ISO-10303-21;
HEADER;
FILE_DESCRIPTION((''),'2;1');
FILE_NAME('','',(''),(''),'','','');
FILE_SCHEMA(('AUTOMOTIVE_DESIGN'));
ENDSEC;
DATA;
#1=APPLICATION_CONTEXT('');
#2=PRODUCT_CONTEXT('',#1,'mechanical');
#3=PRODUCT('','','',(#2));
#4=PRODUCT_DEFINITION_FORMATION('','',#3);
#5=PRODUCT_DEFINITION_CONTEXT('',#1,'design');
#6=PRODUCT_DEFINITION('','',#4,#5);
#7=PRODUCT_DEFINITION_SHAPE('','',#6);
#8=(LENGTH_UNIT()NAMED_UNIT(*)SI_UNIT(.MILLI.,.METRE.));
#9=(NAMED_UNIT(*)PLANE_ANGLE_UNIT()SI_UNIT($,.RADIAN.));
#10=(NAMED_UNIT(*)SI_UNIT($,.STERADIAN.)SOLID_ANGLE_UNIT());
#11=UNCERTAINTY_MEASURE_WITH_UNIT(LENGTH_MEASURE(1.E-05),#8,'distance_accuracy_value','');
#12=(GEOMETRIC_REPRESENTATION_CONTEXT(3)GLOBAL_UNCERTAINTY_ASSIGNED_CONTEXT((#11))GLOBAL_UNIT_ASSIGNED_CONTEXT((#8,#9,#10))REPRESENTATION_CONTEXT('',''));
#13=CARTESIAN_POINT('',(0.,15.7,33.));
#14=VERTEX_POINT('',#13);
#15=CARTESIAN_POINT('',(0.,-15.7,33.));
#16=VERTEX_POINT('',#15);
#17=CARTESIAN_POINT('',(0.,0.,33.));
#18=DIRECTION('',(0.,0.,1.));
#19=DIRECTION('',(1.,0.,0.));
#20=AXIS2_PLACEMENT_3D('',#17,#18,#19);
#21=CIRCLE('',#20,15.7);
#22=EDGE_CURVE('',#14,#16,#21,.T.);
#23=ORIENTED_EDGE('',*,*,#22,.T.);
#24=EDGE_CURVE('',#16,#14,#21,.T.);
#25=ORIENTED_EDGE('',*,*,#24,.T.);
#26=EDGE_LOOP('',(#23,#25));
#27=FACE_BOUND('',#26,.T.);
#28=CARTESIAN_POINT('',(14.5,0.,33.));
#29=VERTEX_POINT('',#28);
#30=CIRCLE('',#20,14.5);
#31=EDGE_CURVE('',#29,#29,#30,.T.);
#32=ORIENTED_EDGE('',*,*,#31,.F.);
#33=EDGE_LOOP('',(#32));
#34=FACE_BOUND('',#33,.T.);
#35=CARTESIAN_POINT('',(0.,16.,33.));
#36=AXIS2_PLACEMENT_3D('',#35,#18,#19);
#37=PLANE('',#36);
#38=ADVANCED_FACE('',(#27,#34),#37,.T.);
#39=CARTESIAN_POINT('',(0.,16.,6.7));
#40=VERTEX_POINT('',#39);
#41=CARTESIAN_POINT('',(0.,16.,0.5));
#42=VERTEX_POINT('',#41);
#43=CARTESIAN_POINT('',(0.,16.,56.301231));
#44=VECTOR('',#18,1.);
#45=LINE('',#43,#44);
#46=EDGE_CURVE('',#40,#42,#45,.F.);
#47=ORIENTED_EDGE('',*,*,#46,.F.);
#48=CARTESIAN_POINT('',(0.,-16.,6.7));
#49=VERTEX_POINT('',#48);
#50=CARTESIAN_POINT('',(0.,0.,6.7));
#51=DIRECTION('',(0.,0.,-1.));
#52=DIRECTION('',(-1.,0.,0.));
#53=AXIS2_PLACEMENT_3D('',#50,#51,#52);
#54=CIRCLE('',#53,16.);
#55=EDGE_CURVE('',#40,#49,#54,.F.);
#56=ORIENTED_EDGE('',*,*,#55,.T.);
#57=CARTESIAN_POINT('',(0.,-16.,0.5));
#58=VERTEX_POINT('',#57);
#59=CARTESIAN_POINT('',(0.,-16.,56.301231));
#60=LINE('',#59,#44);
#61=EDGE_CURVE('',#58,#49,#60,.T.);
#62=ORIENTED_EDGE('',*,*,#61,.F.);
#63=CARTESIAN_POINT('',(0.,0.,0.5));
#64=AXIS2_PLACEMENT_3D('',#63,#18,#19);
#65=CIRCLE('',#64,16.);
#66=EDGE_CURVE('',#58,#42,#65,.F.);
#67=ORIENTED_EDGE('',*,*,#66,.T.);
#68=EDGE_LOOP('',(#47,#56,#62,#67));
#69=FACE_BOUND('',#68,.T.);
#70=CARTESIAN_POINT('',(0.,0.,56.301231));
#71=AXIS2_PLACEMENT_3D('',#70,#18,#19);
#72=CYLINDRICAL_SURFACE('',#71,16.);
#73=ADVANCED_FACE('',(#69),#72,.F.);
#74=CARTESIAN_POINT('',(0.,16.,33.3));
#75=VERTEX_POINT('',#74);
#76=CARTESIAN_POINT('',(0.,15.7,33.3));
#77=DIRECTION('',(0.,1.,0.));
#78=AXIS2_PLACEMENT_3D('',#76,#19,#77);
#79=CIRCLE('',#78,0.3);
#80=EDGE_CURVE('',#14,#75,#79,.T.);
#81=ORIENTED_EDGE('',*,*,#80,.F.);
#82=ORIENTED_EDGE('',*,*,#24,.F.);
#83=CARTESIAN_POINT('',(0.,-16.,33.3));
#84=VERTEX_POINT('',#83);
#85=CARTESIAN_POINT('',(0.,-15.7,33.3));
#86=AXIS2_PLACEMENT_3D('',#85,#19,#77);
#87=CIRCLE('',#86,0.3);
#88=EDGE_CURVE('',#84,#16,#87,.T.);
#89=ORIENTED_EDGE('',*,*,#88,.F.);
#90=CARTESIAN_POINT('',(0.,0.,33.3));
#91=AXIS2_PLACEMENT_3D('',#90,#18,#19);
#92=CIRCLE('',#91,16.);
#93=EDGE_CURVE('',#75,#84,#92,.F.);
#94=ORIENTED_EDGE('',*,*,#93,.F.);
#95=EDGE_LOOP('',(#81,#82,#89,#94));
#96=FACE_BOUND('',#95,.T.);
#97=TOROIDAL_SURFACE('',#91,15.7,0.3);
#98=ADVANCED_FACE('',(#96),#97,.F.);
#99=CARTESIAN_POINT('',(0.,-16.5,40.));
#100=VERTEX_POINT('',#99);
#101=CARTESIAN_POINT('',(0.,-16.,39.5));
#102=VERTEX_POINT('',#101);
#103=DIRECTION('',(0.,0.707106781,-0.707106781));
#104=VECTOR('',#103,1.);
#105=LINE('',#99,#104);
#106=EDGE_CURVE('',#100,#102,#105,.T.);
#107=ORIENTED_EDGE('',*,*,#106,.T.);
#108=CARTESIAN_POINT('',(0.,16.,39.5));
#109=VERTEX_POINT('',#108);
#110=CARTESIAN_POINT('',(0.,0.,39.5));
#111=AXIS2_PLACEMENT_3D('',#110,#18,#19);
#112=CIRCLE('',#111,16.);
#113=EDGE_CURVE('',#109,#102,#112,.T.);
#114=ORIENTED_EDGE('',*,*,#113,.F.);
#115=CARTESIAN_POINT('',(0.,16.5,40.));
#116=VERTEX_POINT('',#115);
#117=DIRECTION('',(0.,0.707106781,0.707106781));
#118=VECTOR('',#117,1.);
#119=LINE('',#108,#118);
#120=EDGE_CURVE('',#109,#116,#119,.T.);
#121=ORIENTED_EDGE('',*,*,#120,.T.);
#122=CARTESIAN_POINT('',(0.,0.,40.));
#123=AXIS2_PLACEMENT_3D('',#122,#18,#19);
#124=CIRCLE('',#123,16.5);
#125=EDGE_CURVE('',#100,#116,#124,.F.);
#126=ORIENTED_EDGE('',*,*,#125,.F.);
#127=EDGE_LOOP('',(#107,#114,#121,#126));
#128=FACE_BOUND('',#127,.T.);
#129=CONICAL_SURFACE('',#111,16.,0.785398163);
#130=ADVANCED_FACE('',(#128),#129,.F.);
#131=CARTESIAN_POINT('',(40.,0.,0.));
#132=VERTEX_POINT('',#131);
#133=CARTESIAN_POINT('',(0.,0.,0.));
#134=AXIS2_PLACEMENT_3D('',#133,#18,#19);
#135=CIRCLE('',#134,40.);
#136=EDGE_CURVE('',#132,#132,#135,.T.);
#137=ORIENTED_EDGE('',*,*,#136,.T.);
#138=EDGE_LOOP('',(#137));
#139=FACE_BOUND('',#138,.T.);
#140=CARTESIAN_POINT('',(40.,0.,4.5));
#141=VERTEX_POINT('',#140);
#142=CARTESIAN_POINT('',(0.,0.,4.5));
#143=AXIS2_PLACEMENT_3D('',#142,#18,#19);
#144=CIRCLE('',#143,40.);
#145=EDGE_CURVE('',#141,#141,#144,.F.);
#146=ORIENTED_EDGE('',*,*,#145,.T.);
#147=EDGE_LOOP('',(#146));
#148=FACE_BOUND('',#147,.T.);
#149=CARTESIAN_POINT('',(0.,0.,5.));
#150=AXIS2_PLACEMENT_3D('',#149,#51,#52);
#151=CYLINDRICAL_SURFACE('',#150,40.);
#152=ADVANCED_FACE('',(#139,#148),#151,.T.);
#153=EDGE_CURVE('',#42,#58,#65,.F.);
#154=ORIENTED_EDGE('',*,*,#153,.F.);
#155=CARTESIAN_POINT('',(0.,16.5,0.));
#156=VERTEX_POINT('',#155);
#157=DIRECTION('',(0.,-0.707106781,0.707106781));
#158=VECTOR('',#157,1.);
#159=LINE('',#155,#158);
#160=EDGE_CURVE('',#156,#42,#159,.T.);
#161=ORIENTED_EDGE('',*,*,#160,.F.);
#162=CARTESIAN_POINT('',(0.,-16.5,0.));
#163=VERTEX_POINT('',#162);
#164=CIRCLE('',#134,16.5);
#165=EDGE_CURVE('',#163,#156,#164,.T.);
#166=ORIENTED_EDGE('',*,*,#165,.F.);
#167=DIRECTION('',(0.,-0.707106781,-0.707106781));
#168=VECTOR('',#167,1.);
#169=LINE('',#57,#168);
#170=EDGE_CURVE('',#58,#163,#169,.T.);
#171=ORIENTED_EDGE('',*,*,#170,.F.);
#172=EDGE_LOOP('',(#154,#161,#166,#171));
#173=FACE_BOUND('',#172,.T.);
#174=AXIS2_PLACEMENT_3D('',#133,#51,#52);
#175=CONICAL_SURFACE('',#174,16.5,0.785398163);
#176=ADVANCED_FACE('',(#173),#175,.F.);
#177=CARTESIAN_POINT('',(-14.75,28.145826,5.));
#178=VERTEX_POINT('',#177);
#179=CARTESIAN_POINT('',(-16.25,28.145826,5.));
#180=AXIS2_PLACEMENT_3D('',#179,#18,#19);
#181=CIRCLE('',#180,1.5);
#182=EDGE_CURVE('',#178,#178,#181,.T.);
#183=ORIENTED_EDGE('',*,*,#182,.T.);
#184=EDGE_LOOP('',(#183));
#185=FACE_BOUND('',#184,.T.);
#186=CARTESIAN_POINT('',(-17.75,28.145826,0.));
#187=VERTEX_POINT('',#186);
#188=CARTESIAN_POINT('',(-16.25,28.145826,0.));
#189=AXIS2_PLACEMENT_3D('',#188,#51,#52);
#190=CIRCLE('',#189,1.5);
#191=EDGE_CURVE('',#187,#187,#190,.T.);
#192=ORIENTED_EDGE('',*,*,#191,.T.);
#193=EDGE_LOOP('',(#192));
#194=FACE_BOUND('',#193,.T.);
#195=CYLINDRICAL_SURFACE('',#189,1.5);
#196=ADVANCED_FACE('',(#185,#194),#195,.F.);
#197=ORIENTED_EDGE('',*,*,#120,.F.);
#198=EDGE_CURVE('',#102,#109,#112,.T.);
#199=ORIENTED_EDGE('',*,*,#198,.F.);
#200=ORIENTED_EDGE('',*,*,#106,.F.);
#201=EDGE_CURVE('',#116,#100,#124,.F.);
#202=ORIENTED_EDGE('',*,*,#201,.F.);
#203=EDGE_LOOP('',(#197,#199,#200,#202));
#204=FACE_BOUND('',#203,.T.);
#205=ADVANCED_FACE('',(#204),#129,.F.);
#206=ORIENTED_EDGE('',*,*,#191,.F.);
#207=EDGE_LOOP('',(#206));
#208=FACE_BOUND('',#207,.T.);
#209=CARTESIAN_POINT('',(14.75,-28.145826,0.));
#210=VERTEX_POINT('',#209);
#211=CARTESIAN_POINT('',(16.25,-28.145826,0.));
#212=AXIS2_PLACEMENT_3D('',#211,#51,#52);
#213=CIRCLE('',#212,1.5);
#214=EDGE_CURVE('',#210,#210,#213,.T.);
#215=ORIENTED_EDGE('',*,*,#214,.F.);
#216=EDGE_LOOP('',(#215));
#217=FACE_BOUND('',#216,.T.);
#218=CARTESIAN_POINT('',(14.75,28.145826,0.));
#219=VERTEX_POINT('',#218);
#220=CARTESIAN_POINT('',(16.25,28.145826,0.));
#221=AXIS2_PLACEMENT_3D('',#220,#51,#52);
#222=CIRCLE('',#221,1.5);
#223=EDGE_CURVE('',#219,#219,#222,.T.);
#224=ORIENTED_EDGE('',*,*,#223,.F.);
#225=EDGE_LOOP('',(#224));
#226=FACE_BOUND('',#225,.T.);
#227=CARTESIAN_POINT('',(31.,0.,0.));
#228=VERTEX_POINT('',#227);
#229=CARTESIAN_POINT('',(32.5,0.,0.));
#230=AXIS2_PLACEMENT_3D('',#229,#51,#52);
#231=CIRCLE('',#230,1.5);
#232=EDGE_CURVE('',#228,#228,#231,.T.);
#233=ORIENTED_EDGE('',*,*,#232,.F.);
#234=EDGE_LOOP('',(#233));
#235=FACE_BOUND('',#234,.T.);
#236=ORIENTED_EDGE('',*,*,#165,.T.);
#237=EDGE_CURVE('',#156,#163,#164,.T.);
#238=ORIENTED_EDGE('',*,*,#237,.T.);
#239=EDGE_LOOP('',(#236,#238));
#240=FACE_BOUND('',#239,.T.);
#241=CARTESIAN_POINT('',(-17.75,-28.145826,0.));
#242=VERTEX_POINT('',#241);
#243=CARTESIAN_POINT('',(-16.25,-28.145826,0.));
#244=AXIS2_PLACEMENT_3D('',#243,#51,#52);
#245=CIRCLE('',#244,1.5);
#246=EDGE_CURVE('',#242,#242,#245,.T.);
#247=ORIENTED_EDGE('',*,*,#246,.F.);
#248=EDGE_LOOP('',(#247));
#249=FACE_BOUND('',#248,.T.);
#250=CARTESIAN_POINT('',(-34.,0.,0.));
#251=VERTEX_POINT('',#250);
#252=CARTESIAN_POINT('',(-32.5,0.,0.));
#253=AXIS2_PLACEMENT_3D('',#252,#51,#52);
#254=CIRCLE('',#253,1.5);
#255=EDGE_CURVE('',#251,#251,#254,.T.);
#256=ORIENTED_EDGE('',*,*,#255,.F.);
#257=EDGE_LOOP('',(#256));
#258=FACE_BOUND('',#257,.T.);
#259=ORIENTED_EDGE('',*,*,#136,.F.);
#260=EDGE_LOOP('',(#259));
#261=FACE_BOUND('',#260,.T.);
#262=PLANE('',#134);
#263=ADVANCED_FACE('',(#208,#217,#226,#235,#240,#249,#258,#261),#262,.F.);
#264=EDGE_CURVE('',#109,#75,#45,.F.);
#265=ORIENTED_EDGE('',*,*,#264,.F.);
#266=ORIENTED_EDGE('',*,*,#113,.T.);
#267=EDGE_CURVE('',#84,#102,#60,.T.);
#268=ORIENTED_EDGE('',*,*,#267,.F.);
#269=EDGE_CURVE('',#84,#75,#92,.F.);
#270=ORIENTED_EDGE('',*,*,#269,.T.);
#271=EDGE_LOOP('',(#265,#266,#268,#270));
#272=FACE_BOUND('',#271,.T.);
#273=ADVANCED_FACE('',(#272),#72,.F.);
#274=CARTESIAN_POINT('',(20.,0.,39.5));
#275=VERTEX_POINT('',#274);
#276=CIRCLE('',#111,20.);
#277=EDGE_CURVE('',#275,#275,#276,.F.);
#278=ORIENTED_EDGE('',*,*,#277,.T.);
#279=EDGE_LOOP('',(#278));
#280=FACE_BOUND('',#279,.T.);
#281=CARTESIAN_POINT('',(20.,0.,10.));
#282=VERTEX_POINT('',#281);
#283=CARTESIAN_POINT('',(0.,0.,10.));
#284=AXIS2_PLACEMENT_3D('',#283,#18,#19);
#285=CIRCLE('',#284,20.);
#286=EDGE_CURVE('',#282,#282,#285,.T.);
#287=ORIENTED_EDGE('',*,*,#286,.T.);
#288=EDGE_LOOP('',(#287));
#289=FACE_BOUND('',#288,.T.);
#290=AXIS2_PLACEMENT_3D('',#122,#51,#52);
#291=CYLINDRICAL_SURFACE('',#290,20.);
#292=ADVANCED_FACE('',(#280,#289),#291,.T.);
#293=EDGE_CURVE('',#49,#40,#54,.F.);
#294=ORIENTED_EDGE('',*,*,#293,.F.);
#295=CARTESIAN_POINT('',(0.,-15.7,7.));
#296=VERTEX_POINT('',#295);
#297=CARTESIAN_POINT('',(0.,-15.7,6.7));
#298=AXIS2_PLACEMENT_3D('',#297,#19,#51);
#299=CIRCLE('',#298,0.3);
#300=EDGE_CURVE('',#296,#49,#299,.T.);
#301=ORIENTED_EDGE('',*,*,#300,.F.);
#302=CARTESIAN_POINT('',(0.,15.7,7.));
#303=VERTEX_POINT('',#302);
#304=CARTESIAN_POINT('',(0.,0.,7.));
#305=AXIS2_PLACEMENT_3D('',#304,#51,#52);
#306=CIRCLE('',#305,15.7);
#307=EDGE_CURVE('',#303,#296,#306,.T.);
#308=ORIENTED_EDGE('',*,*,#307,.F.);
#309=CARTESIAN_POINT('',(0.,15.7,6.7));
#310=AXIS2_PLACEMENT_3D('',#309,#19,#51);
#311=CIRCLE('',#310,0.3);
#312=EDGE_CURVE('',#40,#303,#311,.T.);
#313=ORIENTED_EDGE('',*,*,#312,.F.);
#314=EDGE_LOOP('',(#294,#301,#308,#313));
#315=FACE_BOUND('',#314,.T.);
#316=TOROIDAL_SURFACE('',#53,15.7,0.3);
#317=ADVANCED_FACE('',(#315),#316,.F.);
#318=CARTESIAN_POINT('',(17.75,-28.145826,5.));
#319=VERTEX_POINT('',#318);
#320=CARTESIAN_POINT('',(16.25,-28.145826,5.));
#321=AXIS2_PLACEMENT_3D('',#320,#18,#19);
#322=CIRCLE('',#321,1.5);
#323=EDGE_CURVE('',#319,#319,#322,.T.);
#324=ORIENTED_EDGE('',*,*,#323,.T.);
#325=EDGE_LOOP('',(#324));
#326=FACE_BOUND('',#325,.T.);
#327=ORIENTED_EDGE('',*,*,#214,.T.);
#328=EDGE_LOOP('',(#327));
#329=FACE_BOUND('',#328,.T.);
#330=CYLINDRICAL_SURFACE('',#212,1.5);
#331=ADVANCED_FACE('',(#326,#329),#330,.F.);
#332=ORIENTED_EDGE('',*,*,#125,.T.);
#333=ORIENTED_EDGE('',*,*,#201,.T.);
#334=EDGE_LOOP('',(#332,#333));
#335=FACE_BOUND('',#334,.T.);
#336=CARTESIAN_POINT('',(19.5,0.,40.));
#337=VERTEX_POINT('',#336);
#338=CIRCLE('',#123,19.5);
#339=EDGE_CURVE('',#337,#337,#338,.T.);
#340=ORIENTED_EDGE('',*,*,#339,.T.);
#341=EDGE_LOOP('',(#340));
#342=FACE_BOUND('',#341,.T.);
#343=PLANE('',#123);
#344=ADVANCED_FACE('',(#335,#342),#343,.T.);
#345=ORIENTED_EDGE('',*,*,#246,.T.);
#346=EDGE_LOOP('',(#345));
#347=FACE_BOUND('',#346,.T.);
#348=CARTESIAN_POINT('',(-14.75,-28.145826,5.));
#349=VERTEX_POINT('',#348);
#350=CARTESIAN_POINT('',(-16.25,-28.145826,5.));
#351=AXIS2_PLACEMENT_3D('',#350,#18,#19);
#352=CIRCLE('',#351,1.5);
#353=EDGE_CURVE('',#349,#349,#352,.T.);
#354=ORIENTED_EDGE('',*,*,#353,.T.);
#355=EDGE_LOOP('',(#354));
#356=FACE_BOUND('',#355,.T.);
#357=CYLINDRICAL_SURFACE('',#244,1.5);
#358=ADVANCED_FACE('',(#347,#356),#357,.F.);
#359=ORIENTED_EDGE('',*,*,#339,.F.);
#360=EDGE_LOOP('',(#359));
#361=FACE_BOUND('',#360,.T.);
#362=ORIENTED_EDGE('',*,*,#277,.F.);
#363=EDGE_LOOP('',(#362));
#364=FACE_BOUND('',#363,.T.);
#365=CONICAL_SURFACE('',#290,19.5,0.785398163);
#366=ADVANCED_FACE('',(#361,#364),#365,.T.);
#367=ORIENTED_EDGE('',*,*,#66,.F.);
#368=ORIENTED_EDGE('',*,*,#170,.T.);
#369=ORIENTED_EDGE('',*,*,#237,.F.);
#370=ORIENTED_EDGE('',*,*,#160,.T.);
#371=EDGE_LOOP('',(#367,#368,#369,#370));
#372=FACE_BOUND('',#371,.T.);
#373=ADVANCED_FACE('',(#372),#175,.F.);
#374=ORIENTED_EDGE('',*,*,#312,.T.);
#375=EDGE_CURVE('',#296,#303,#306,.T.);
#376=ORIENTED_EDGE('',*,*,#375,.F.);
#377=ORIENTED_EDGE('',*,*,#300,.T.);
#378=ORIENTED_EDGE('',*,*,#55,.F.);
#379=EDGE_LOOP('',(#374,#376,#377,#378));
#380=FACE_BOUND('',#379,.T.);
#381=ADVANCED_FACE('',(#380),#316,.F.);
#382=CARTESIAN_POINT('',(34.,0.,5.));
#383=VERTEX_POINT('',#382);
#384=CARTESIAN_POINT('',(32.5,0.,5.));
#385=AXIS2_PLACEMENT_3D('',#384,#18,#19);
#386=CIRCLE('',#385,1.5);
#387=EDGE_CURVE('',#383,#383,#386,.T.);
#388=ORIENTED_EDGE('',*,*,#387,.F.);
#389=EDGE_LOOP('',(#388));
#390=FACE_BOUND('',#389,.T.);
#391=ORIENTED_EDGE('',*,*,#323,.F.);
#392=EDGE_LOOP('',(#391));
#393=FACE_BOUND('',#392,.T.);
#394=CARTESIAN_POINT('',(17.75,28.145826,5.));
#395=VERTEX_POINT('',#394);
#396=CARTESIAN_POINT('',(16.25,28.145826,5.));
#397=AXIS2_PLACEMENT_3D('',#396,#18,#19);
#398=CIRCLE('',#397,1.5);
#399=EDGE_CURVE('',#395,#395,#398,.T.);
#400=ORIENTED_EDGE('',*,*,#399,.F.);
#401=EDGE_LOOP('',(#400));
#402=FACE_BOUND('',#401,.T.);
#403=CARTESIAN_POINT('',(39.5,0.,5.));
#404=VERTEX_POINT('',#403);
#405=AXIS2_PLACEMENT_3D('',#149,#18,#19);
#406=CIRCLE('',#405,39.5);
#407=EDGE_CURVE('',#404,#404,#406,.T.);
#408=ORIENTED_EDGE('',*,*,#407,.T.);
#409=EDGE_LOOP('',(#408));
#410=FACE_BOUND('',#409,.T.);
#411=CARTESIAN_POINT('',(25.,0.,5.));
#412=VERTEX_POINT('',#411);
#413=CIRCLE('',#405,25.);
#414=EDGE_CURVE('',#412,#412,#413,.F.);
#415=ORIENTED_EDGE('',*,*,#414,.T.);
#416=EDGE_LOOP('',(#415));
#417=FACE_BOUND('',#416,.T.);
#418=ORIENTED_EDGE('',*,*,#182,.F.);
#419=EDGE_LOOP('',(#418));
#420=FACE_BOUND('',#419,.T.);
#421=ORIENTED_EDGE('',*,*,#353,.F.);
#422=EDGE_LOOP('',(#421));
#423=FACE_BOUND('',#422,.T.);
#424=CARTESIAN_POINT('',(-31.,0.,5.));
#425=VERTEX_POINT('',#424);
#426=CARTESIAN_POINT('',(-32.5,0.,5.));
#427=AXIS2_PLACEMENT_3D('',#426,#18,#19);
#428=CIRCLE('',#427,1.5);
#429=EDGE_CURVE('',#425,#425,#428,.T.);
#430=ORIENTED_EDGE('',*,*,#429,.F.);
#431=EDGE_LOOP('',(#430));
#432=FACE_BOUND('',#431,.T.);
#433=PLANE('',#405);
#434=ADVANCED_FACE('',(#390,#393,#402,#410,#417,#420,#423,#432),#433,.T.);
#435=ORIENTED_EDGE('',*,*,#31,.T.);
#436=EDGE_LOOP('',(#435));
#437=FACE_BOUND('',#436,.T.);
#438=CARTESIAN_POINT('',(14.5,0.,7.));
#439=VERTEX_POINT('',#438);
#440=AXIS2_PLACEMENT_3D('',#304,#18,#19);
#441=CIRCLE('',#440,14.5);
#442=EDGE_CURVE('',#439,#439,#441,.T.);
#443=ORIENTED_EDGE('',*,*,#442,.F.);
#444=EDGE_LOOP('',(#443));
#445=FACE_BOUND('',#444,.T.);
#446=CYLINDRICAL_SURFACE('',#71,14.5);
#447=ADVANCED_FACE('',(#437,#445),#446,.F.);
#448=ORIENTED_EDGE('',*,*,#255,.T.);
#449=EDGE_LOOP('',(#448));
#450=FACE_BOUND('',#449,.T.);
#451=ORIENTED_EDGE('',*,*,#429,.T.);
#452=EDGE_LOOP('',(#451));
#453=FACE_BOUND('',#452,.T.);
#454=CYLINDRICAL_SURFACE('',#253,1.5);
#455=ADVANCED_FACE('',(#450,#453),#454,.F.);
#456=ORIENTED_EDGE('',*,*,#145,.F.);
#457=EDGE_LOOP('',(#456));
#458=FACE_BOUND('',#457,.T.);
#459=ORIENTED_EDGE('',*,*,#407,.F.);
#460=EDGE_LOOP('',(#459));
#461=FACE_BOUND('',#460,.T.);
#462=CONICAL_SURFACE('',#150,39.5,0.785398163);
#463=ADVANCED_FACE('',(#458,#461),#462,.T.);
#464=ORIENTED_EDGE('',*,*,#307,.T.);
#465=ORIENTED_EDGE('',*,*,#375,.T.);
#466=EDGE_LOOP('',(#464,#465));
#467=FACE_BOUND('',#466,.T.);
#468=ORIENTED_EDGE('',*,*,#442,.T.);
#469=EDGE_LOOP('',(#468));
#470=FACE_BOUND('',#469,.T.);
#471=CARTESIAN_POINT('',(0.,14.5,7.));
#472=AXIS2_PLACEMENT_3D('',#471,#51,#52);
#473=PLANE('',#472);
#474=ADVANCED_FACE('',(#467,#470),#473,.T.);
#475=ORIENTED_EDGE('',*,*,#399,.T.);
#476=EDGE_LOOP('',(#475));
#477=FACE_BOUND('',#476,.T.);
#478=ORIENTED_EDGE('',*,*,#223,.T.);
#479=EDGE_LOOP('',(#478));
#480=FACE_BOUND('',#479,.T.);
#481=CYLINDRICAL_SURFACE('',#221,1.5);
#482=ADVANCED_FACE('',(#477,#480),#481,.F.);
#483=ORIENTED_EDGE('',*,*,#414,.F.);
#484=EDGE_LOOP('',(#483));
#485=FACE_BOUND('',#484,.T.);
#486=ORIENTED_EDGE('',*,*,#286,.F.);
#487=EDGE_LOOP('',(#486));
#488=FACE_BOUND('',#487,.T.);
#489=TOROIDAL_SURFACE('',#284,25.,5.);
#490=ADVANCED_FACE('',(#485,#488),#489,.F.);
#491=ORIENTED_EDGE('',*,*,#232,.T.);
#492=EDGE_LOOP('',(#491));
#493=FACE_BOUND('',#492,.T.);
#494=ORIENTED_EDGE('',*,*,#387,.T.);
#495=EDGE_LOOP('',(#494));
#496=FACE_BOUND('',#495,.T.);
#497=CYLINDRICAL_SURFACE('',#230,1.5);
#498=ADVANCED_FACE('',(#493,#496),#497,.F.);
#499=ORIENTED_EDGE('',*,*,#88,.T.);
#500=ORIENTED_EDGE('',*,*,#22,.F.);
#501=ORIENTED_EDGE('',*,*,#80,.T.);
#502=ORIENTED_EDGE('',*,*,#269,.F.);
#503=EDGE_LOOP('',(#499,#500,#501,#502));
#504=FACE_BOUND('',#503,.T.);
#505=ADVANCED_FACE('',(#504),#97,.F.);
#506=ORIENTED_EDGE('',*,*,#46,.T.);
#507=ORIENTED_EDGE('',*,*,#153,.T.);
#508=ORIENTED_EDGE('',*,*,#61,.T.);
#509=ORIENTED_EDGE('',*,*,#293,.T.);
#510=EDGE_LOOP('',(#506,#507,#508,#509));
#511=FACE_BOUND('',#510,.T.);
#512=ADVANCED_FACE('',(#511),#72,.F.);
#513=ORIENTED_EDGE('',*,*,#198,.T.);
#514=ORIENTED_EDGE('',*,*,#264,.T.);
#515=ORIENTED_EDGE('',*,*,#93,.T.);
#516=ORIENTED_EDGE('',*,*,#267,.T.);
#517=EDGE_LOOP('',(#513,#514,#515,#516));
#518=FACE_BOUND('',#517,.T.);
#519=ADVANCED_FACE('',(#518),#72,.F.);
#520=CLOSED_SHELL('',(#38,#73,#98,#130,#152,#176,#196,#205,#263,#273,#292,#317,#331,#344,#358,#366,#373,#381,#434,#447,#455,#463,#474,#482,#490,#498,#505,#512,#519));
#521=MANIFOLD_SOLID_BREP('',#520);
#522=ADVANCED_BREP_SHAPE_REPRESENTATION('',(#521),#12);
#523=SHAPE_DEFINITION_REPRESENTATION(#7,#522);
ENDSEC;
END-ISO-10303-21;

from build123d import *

# Parameters (mm, degrees)
SKETCH1_R           = 40
BOSS_EXTRUDE1_DEPTH = 5
SKETCH2_R           = 20
BOSS_EXTRUDE2_DEPTH = 35
M4_TAPPED_HOLE1_D   = 3
CIRPATTERN2_COUNT   = 6
CHAMFER2_SIZE       = 0.5
FILLET1_R           = 5
FILLET2_R           = 0.3


with BuildPart() as part:
    # Sketch1 → Boss-Extrude1 (new body)
    with BuildSketch(Plane.XY):
        Circle(SKETCH1_R)
    extrude(amount=BOSS_EXTRUDE1_DEPTH)

    # Sketch2 → Boss-Extrude2 (add)
    with BuildSketch(Plane.XY.offset(5)):
        Circle(SKETCH2_R)
    extrude(amount=BOSS_EXTRUDE2_DEPTH)

    # Sketch6 → Cut-Revolve2 (revolve, cut)
    with BuildSketch(Plane(origin=(0, 0, 0), x_dir=(0, 0, -1), z_dir=(1, 0, 0))):
        Polygon((0, 0), (-40, 0), (-40, 16), (-33, 16), (-33, 14.5), (-7, 14.5), (-7, 16), (0, 16), align=None)
    revolve(axis=Axis((0, 0, 56.301231345), (0, 0, -1)), mode=Mode.SUBTRACT)

    # M4 Tapped Hole1 (through all)
    with Locations(Plane(origin=(0, 0, 0), x_dir=(1, 0, 0), z_dir=(0, 0, -1))):
        with Locations((32.5, 0)):
            m4_tapped_hole1 = Hole(M4_TAPPED_HOLE1_D / 2)

    # CirPattern2: M4 Tapped Hole1 ×6 about axis
    cirpattern2_axis = Axis((0, 0, 0), (0, 0, 1))
    for i in range(1, CIRPATTERN2_COUNT):
        add(m4_tapped_hole1.rotate(cirpattern2_axis, i * 360 / CIRPATTERN2_COUNT), mode=Mode.SUBTRACT)

    # Chamfer2
    chamfer2_edges = [part.edges().sort_by_distance(p)[0] for p in [
        (0, -16, 40),
        (0, -16, 0),
        (-40, 0, 5),
        (0, -16, 0),
        (0, -16, 40),
        (-20, 0, 40),
    ]]
    chamfer(chamfer2_edges, length=CHAMFER2_SIZE)

    # Fillet1
    fillet1_edges = [part.edges().sort_by_distance(p)[0] for p in [
        (-20, 0, 5),
    ]]
    fillet(fillet1_edges, radius=FILLET1_R)

    # Fillet2
    fillet2_edges = [part.edges().sort_by_distance(p)[0] for p in [
        (0, -16, 33),
        (0, -16, 7),
        (0, -16, 7),
        (0, -16, 33),
    ]]
    fillet(fillet2_edges, radius=FILLET2_R)


solid = part.part
